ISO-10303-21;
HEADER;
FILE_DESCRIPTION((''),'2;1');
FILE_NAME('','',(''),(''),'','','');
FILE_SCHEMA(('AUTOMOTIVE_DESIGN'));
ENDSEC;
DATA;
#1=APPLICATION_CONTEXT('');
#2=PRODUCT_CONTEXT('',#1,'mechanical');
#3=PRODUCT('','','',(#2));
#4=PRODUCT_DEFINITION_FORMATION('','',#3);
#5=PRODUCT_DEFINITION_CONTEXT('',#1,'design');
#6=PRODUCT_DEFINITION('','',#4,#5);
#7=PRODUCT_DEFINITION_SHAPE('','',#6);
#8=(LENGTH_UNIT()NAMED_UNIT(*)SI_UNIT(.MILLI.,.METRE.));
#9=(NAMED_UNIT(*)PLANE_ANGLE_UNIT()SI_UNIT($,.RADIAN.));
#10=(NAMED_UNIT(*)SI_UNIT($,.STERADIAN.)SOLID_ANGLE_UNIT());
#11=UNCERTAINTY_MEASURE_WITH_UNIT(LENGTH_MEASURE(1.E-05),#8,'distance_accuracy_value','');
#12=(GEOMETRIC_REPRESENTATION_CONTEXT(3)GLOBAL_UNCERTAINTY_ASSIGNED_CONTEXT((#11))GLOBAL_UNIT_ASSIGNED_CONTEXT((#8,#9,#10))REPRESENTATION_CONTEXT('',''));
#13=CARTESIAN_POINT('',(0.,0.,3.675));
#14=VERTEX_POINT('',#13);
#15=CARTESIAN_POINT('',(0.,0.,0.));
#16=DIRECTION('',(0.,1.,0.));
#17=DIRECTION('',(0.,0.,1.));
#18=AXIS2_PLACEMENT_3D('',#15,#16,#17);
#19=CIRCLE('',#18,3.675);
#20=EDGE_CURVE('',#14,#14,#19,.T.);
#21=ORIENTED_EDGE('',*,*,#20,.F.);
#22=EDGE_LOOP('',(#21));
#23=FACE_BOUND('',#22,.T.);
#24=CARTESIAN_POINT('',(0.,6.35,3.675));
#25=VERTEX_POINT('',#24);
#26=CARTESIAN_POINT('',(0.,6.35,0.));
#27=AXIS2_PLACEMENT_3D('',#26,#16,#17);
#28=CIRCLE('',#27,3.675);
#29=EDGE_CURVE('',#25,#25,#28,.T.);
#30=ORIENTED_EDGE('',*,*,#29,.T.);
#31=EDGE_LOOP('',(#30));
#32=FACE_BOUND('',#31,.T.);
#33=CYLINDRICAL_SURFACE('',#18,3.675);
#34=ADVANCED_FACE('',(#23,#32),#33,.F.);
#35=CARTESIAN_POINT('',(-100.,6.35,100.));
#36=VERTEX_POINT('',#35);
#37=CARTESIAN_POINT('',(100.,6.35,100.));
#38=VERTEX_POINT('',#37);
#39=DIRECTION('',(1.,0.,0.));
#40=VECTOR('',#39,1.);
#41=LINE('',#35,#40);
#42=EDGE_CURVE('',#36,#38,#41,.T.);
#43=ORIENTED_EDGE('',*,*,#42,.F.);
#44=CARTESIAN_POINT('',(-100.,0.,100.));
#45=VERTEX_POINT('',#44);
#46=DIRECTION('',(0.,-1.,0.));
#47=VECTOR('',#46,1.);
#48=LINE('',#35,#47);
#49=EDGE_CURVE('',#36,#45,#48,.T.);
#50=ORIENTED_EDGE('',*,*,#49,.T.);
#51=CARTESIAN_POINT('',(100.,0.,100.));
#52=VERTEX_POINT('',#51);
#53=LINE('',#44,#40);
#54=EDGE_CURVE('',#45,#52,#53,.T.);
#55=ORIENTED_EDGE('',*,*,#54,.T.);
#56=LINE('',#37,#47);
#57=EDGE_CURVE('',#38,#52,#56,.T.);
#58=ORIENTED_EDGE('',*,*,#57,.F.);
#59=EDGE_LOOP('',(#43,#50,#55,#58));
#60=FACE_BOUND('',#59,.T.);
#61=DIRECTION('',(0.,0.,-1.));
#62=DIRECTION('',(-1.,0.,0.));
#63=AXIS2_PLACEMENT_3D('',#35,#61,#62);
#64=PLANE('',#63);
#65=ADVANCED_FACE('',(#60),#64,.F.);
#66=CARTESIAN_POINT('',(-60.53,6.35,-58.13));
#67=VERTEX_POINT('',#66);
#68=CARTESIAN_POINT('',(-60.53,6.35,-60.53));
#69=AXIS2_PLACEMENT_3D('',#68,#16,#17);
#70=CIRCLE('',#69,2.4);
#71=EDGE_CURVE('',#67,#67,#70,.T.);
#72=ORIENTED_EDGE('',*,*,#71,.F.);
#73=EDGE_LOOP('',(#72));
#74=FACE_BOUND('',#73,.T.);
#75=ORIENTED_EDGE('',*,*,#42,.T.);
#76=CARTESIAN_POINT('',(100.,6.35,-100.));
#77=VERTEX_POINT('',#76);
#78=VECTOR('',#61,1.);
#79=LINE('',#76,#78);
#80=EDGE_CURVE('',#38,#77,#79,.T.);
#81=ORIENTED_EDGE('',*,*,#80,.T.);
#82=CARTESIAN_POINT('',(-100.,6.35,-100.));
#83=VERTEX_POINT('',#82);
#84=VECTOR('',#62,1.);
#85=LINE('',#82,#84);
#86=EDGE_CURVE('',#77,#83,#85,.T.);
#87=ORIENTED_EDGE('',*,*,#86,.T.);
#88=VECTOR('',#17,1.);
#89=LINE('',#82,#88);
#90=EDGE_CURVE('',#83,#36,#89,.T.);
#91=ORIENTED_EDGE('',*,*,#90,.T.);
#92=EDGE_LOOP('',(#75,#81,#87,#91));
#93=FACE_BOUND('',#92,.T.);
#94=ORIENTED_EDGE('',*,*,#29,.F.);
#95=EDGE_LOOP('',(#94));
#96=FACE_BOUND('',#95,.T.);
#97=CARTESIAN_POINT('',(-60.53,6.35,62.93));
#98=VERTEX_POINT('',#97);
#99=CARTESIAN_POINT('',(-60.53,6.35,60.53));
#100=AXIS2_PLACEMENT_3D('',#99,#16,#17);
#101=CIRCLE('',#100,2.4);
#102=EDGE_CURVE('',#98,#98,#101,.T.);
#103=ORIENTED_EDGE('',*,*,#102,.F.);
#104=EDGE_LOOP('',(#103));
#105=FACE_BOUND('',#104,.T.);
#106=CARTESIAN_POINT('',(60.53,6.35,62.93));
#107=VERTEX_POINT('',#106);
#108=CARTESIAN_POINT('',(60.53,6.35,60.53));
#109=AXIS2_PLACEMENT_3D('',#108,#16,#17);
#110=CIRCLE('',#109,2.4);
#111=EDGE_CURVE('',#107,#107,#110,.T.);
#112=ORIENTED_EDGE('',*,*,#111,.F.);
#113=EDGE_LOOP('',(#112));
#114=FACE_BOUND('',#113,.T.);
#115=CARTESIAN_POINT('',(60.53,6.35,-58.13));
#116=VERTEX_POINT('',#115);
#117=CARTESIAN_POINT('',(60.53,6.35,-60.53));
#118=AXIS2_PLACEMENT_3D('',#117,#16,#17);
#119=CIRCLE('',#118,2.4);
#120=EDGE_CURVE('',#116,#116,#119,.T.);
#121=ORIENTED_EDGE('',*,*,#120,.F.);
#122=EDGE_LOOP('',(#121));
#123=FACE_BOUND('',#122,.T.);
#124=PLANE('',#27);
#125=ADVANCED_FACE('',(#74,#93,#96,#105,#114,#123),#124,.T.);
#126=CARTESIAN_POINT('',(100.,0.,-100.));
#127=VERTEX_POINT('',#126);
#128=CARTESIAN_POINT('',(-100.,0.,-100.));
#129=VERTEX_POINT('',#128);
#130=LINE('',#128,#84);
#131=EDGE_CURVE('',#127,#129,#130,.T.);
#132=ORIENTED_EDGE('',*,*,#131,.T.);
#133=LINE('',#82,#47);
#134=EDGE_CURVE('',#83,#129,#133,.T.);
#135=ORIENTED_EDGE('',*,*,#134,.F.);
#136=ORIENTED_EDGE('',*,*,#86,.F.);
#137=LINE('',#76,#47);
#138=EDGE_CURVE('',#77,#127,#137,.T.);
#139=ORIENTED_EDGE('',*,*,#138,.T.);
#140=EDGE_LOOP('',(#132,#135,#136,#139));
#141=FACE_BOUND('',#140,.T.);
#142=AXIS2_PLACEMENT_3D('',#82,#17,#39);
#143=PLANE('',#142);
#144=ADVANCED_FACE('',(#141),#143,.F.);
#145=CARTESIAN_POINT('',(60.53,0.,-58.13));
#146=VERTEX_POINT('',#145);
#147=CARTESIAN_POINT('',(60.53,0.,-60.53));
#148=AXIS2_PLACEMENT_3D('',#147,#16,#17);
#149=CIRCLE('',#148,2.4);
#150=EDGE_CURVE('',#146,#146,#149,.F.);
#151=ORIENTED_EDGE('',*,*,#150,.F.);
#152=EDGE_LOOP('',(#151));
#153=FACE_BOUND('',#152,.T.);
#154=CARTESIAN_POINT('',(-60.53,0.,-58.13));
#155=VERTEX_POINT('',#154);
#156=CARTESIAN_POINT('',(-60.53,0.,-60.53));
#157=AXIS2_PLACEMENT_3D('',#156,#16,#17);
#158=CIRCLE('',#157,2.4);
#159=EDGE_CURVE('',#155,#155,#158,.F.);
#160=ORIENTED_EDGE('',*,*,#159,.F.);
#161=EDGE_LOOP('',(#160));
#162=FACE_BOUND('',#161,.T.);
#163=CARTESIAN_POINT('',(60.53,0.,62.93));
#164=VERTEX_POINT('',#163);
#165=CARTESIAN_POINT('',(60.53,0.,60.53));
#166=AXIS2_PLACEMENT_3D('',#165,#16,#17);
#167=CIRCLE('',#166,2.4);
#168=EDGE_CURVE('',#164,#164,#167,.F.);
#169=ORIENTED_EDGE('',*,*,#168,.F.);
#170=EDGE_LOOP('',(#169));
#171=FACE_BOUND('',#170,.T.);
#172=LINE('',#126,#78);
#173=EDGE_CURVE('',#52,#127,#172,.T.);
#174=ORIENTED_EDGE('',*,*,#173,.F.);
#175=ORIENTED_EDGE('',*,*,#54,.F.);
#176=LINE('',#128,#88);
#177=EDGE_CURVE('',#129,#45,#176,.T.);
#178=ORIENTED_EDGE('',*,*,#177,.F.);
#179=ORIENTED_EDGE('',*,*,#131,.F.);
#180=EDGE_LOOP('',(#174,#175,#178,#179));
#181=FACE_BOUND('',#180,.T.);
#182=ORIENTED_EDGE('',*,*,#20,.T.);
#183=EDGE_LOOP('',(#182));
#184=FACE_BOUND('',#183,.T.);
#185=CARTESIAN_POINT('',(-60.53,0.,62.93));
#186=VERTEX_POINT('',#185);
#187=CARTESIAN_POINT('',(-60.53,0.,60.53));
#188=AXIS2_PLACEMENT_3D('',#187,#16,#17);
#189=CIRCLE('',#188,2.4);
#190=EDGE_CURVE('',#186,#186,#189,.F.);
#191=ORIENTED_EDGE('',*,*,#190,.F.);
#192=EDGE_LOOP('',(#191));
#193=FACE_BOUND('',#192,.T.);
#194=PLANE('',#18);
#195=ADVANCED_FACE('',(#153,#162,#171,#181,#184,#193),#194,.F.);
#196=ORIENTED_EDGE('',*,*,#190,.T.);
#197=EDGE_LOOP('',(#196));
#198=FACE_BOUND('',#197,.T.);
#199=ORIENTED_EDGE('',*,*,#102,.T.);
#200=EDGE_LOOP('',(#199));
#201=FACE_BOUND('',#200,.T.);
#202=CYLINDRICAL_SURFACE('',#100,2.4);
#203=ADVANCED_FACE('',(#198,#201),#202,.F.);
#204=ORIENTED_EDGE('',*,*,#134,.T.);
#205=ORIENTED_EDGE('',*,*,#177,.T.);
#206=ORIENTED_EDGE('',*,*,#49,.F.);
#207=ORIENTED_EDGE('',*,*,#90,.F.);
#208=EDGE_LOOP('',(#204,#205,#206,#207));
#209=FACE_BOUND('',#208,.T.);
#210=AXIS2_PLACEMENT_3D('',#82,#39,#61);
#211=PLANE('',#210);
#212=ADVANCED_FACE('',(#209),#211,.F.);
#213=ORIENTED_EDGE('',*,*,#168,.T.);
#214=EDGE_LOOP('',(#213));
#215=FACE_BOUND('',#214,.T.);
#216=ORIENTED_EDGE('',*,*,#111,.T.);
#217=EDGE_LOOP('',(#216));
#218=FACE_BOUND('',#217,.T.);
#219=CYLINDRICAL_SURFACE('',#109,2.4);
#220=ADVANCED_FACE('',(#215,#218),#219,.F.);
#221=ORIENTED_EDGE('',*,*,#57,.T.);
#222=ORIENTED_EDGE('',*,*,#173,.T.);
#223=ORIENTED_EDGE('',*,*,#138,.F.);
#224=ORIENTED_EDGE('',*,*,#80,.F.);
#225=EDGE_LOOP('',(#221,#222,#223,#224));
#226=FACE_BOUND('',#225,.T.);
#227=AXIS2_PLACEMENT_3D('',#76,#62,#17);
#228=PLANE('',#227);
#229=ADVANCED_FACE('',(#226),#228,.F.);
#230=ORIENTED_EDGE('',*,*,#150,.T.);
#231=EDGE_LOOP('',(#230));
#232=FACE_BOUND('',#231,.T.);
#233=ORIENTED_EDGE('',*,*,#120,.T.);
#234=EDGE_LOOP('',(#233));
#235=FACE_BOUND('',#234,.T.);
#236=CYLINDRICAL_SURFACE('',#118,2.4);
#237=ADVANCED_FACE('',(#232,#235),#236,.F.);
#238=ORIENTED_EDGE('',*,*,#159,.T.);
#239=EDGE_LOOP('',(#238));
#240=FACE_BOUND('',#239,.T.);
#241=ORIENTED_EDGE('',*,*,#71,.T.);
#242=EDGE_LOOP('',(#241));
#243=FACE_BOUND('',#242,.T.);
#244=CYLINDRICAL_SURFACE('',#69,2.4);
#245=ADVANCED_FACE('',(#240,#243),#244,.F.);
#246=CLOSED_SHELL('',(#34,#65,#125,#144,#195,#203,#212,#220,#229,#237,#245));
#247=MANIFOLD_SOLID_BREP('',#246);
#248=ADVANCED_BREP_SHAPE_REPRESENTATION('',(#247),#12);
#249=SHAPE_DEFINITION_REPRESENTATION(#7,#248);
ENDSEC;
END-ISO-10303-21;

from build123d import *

# Parameters (mm, degrees)
SKETCH1_W            = 200
SKETCH1_H            = 200
BOSS_EXTRUDE1_DEPTH  = 6.35
SKETCH2_R            = 3.675
CUT_EXTRUDE1_DEPTH   = 142.56384602
M4_CLEARANCE_HOLE1_D = 4.8


with BuildPart() as part:
    # Sketch1 → Boss-Extrude1 (new body)
    with BuildSketch(Plane(origin=(0, 0, 0), x_dir=(1, 0, 0), z_dir=(0, 1, 0))):
        Rectangle(SKETCH1_W, SKETCH1_H)
    extrude(amount=BOSS_EXTRUDE1_DEPTH)

    # Sketch2 → Cut-Extrude1 (cut, through all)
    with BuildSketch(Plane(origin=(0, 6.35, 0), x_dir=(1, 0, 0), z_dir=(0, 1, 0))):
        with Locations(Location((0, 0, 0), (0, 0, 270))):
            Circle(SKETCH2_R)
    extrude(amount=-CUT_EXTRUDE1_DEPTH, mode=Mode.SUBTRACT)

    # M4 Clearance Hole1 (through all)
    with Locations(Plane(origin=(-60.53, 6.35, -60.53), x_dir=(0, 0, 1), z_dir=(0, 1, 0))):
        with Locations((0, 0), (0, 121.06), (121.06, 121.06), (121.06, 0)):
            Hole(M4_CLEARANCE_HOLE1_D / 2)


solid = part.part
